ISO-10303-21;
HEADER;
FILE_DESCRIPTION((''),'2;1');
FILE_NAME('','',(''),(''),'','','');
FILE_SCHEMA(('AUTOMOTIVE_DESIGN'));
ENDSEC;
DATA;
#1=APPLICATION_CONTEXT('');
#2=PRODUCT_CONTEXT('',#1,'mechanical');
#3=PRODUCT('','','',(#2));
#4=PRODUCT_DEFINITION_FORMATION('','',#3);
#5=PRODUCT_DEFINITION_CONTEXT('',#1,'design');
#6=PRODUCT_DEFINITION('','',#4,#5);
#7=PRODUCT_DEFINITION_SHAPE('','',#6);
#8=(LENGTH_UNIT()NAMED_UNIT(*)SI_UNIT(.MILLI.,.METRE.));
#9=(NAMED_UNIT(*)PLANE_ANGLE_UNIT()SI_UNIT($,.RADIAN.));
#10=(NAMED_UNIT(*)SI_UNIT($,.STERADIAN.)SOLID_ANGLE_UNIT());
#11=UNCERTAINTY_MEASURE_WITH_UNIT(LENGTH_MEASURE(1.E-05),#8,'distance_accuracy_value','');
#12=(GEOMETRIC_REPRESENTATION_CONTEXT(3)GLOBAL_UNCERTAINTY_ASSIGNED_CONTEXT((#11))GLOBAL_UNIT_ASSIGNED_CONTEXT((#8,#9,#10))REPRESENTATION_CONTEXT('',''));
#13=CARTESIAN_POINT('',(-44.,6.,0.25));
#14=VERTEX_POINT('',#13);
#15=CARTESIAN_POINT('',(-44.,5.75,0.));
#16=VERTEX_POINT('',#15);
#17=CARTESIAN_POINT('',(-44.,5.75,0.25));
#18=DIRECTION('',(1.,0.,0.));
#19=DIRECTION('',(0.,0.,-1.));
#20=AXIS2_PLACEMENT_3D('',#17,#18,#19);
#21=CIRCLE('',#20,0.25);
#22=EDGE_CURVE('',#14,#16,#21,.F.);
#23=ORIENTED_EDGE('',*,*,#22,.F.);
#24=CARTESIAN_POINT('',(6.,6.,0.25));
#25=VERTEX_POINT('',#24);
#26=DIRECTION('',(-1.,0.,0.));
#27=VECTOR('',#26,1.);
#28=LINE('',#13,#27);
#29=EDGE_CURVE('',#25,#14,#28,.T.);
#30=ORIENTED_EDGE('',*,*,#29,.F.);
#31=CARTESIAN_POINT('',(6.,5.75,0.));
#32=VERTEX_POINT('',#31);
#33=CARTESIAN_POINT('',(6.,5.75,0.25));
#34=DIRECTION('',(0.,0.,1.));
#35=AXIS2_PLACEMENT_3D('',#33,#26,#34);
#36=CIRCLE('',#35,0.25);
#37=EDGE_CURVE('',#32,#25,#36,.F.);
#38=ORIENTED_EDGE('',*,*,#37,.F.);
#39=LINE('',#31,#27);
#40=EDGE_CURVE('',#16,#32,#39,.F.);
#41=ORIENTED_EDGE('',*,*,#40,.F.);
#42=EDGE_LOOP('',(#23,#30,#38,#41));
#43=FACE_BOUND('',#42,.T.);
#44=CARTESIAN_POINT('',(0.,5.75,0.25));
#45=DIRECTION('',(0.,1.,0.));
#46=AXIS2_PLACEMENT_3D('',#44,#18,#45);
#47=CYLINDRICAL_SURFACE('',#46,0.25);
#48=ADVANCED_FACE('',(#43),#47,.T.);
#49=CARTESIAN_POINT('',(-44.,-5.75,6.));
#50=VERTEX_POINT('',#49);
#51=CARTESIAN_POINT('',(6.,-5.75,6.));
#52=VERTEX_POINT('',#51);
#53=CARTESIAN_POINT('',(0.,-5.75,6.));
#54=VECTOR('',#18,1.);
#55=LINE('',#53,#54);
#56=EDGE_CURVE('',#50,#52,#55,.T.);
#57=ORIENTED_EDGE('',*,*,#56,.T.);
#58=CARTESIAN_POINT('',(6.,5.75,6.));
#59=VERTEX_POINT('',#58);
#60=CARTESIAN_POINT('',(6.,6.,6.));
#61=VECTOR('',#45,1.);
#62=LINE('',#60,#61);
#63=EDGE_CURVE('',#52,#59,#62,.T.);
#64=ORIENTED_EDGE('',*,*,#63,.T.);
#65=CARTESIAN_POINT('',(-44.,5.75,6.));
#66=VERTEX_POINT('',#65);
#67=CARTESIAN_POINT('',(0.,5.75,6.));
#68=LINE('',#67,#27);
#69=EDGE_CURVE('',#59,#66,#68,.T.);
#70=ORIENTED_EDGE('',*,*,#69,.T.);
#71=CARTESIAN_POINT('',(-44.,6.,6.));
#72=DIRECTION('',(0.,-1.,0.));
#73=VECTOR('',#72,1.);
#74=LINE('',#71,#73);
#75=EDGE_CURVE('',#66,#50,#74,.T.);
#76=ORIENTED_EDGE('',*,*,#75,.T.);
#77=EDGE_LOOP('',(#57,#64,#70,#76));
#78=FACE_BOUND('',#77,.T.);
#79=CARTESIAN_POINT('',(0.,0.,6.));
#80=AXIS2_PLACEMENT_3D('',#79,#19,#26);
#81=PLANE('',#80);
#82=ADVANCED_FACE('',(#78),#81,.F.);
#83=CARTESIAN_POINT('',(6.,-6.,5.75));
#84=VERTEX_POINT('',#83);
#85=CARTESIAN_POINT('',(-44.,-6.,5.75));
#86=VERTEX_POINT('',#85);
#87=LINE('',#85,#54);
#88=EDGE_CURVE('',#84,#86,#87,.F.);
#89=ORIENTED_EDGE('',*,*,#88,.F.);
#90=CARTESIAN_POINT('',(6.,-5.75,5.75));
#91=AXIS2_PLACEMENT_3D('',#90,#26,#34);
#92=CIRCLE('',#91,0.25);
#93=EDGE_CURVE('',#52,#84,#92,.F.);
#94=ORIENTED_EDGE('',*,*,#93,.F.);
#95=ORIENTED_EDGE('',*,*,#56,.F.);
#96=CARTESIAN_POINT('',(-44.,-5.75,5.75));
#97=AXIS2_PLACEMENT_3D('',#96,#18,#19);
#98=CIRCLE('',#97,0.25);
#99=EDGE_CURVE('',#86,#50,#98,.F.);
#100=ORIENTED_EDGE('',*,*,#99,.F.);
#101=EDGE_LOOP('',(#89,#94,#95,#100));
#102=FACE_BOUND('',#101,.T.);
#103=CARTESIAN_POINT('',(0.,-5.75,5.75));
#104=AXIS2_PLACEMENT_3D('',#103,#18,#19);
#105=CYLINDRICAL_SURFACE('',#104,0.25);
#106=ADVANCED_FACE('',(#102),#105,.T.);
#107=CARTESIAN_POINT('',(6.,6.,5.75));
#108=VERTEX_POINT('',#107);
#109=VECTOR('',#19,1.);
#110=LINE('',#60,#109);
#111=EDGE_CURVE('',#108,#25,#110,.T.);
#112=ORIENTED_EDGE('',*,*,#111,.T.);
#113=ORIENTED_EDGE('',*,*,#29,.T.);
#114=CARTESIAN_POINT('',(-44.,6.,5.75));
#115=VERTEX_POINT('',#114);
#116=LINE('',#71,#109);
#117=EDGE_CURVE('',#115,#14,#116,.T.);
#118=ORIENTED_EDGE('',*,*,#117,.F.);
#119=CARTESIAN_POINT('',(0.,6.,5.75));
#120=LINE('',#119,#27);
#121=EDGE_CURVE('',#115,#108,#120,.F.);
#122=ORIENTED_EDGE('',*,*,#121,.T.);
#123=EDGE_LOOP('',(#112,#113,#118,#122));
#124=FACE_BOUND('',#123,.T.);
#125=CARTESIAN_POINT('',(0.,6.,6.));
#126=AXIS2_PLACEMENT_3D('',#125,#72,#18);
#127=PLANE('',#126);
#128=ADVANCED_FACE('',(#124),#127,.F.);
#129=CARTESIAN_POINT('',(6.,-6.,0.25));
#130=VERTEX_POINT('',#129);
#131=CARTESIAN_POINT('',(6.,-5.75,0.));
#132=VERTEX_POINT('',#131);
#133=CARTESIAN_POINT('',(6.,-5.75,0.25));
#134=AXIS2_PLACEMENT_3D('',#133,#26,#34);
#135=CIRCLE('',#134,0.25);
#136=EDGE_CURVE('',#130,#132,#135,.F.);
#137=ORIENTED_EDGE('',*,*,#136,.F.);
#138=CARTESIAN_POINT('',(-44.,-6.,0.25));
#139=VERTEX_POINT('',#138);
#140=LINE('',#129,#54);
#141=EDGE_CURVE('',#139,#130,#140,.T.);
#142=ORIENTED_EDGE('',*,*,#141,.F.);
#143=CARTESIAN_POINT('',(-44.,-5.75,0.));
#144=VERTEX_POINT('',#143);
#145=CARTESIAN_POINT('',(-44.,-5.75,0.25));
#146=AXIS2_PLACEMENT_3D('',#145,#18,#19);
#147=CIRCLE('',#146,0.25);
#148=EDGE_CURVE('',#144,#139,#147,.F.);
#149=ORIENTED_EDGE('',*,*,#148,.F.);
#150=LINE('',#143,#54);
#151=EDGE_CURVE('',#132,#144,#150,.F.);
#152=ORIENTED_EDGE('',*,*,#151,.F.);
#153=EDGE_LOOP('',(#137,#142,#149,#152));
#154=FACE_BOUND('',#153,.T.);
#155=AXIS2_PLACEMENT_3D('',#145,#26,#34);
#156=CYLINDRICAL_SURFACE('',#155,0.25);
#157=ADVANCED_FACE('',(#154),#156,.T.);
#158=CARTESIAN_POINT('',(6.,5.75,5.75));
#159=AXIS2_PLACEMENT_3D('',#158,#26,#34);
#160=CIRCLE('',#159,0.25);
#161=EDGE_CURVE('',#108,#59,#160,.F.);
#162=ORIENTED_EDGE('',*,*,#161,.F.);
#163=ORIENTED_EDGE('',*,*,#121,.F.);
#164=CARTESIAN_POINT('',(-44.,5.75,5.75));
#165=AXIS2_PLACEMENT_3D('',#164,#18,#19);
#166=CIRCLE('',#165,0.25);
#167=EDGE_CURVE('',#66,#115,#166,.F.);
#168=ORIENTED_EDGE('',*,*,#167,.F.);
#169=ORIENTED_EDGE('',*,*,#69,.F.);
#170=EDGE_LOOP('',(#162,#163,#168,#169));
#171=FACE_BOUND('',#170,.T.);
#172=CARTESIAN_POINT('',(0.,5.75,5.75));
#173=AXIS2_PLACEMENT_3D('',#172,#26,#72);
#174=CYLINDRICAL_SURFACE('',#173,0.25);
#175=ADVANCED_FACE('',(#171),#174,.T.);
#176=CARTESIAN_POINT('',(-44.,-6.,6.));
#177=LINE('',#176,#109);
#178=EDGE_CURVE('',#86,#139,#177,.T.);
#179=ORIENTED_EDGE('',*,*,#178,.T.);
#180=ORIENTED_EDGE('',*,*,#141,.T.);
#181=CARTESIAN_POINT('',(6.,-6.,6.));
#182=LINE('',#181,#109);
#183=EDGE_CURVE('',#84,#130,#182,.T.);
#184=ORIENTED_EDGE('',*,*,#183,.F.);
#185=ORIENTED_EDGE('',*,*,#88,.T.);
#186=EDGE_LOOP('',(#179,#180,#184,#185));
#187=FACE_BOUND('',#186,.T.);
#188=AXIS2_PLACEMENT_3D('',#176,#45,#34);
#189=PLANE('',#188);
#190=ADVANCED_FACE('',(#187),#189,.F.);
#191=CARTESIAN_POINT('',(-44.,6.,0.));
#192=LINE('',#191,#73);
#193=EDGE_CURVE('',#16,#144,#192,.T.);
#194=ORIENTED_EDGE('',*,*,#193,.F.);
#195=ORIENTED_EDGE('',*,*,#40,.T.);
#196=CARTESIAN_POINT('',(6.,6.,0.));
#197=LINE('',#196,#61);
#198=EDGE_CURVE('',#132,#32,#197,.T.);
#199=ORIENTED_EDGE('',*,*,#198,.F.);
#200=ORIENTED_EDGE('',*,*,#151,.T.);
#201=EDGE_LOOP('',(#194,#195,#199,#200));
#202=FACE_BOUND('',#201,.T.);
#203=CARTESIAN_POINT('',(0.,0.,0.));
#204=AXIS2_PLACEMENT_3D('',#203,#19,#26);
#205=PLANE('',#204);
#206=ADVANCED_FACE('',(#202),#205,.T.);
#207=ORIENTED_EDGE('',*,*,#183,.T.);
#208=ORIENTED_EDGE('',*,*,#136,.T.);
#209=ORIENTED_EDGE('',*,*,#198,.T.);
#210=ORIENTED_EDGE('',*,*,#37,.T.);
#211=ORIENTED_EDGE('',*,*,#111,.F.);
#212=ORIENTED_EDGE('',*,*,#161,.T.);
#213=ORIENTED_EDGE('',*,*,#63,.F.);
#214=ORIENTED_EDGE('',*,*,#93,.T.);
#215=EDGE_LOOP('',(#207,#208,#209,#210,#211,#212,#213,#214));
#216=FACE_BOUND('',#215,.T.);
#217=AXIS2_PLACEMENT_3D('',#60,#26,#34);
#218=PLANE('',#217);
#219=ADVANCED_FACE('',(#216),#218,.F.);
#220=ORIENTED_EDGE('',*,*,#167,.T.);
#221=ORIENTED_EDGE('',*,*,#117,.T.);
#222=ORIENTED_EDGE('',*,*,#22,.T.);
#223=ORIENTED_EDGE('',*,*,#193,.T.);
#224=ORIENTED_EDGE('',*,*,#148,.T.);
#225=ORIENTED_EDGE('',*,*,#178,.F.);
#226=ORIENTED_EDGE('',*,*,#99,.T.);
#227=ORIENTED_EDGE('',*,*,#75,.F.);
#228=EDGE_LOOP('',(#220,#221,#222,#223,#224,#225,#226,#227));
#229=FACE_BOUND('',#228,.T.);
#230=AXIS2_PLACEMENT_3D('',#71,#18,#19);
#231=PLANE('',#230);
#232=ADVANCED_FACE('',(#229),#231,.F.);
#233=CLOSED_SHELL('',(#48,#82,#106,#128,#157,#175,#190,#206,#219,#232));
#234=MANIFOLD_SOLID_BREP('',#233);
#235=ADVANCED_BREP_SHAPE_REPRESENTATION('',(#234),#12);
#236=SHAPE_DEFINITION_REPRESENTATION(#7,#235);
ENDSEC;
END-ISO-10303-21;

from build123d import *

# Parameters (mm, degrees)
EXTRUDE1_DEPTH = 6
SKETCH2_W      = 50
SKETCH2_H      = 12
EXTRUDE2_DEPTH = 6
FILLET1_R      = 0.25


with BuildPart() as part:
    # Sketch1 → Extrude1 (new body)
    with BuildSketch(Plane.XY):
        with BuildLine():
            Line((0, 6), (-44, 6))
            Line((-44, 6), (-44, -6))
            Line((-44, -6), (0, -6))
            ThreePointArc((0, -6), (6, 0), (0, 6))
        make_face()
    extrude(amount=EXTRUDE1_DEPTH)

    # Sketch2 → Extrude2 (add)
    with BuildSketch(Plane.XY):
        with Locations((-19, 0)):
            Rectangle(SKETCH2_W, SKETCH2_H)
    extrude(amount=EXTRUDE2_DEPTH)

    # Fillet1
    fillet1_edges = [part.edges().sort_by_distance(p)[0] for p in [
        (-19, -6, 6),
        (-19, -6, 0),
        (-19, 6, 0),
        (-19, 6, 6),
    ]]
    fillet(fillet1_edges, radius=FILLET1_R)


solid = part.part
